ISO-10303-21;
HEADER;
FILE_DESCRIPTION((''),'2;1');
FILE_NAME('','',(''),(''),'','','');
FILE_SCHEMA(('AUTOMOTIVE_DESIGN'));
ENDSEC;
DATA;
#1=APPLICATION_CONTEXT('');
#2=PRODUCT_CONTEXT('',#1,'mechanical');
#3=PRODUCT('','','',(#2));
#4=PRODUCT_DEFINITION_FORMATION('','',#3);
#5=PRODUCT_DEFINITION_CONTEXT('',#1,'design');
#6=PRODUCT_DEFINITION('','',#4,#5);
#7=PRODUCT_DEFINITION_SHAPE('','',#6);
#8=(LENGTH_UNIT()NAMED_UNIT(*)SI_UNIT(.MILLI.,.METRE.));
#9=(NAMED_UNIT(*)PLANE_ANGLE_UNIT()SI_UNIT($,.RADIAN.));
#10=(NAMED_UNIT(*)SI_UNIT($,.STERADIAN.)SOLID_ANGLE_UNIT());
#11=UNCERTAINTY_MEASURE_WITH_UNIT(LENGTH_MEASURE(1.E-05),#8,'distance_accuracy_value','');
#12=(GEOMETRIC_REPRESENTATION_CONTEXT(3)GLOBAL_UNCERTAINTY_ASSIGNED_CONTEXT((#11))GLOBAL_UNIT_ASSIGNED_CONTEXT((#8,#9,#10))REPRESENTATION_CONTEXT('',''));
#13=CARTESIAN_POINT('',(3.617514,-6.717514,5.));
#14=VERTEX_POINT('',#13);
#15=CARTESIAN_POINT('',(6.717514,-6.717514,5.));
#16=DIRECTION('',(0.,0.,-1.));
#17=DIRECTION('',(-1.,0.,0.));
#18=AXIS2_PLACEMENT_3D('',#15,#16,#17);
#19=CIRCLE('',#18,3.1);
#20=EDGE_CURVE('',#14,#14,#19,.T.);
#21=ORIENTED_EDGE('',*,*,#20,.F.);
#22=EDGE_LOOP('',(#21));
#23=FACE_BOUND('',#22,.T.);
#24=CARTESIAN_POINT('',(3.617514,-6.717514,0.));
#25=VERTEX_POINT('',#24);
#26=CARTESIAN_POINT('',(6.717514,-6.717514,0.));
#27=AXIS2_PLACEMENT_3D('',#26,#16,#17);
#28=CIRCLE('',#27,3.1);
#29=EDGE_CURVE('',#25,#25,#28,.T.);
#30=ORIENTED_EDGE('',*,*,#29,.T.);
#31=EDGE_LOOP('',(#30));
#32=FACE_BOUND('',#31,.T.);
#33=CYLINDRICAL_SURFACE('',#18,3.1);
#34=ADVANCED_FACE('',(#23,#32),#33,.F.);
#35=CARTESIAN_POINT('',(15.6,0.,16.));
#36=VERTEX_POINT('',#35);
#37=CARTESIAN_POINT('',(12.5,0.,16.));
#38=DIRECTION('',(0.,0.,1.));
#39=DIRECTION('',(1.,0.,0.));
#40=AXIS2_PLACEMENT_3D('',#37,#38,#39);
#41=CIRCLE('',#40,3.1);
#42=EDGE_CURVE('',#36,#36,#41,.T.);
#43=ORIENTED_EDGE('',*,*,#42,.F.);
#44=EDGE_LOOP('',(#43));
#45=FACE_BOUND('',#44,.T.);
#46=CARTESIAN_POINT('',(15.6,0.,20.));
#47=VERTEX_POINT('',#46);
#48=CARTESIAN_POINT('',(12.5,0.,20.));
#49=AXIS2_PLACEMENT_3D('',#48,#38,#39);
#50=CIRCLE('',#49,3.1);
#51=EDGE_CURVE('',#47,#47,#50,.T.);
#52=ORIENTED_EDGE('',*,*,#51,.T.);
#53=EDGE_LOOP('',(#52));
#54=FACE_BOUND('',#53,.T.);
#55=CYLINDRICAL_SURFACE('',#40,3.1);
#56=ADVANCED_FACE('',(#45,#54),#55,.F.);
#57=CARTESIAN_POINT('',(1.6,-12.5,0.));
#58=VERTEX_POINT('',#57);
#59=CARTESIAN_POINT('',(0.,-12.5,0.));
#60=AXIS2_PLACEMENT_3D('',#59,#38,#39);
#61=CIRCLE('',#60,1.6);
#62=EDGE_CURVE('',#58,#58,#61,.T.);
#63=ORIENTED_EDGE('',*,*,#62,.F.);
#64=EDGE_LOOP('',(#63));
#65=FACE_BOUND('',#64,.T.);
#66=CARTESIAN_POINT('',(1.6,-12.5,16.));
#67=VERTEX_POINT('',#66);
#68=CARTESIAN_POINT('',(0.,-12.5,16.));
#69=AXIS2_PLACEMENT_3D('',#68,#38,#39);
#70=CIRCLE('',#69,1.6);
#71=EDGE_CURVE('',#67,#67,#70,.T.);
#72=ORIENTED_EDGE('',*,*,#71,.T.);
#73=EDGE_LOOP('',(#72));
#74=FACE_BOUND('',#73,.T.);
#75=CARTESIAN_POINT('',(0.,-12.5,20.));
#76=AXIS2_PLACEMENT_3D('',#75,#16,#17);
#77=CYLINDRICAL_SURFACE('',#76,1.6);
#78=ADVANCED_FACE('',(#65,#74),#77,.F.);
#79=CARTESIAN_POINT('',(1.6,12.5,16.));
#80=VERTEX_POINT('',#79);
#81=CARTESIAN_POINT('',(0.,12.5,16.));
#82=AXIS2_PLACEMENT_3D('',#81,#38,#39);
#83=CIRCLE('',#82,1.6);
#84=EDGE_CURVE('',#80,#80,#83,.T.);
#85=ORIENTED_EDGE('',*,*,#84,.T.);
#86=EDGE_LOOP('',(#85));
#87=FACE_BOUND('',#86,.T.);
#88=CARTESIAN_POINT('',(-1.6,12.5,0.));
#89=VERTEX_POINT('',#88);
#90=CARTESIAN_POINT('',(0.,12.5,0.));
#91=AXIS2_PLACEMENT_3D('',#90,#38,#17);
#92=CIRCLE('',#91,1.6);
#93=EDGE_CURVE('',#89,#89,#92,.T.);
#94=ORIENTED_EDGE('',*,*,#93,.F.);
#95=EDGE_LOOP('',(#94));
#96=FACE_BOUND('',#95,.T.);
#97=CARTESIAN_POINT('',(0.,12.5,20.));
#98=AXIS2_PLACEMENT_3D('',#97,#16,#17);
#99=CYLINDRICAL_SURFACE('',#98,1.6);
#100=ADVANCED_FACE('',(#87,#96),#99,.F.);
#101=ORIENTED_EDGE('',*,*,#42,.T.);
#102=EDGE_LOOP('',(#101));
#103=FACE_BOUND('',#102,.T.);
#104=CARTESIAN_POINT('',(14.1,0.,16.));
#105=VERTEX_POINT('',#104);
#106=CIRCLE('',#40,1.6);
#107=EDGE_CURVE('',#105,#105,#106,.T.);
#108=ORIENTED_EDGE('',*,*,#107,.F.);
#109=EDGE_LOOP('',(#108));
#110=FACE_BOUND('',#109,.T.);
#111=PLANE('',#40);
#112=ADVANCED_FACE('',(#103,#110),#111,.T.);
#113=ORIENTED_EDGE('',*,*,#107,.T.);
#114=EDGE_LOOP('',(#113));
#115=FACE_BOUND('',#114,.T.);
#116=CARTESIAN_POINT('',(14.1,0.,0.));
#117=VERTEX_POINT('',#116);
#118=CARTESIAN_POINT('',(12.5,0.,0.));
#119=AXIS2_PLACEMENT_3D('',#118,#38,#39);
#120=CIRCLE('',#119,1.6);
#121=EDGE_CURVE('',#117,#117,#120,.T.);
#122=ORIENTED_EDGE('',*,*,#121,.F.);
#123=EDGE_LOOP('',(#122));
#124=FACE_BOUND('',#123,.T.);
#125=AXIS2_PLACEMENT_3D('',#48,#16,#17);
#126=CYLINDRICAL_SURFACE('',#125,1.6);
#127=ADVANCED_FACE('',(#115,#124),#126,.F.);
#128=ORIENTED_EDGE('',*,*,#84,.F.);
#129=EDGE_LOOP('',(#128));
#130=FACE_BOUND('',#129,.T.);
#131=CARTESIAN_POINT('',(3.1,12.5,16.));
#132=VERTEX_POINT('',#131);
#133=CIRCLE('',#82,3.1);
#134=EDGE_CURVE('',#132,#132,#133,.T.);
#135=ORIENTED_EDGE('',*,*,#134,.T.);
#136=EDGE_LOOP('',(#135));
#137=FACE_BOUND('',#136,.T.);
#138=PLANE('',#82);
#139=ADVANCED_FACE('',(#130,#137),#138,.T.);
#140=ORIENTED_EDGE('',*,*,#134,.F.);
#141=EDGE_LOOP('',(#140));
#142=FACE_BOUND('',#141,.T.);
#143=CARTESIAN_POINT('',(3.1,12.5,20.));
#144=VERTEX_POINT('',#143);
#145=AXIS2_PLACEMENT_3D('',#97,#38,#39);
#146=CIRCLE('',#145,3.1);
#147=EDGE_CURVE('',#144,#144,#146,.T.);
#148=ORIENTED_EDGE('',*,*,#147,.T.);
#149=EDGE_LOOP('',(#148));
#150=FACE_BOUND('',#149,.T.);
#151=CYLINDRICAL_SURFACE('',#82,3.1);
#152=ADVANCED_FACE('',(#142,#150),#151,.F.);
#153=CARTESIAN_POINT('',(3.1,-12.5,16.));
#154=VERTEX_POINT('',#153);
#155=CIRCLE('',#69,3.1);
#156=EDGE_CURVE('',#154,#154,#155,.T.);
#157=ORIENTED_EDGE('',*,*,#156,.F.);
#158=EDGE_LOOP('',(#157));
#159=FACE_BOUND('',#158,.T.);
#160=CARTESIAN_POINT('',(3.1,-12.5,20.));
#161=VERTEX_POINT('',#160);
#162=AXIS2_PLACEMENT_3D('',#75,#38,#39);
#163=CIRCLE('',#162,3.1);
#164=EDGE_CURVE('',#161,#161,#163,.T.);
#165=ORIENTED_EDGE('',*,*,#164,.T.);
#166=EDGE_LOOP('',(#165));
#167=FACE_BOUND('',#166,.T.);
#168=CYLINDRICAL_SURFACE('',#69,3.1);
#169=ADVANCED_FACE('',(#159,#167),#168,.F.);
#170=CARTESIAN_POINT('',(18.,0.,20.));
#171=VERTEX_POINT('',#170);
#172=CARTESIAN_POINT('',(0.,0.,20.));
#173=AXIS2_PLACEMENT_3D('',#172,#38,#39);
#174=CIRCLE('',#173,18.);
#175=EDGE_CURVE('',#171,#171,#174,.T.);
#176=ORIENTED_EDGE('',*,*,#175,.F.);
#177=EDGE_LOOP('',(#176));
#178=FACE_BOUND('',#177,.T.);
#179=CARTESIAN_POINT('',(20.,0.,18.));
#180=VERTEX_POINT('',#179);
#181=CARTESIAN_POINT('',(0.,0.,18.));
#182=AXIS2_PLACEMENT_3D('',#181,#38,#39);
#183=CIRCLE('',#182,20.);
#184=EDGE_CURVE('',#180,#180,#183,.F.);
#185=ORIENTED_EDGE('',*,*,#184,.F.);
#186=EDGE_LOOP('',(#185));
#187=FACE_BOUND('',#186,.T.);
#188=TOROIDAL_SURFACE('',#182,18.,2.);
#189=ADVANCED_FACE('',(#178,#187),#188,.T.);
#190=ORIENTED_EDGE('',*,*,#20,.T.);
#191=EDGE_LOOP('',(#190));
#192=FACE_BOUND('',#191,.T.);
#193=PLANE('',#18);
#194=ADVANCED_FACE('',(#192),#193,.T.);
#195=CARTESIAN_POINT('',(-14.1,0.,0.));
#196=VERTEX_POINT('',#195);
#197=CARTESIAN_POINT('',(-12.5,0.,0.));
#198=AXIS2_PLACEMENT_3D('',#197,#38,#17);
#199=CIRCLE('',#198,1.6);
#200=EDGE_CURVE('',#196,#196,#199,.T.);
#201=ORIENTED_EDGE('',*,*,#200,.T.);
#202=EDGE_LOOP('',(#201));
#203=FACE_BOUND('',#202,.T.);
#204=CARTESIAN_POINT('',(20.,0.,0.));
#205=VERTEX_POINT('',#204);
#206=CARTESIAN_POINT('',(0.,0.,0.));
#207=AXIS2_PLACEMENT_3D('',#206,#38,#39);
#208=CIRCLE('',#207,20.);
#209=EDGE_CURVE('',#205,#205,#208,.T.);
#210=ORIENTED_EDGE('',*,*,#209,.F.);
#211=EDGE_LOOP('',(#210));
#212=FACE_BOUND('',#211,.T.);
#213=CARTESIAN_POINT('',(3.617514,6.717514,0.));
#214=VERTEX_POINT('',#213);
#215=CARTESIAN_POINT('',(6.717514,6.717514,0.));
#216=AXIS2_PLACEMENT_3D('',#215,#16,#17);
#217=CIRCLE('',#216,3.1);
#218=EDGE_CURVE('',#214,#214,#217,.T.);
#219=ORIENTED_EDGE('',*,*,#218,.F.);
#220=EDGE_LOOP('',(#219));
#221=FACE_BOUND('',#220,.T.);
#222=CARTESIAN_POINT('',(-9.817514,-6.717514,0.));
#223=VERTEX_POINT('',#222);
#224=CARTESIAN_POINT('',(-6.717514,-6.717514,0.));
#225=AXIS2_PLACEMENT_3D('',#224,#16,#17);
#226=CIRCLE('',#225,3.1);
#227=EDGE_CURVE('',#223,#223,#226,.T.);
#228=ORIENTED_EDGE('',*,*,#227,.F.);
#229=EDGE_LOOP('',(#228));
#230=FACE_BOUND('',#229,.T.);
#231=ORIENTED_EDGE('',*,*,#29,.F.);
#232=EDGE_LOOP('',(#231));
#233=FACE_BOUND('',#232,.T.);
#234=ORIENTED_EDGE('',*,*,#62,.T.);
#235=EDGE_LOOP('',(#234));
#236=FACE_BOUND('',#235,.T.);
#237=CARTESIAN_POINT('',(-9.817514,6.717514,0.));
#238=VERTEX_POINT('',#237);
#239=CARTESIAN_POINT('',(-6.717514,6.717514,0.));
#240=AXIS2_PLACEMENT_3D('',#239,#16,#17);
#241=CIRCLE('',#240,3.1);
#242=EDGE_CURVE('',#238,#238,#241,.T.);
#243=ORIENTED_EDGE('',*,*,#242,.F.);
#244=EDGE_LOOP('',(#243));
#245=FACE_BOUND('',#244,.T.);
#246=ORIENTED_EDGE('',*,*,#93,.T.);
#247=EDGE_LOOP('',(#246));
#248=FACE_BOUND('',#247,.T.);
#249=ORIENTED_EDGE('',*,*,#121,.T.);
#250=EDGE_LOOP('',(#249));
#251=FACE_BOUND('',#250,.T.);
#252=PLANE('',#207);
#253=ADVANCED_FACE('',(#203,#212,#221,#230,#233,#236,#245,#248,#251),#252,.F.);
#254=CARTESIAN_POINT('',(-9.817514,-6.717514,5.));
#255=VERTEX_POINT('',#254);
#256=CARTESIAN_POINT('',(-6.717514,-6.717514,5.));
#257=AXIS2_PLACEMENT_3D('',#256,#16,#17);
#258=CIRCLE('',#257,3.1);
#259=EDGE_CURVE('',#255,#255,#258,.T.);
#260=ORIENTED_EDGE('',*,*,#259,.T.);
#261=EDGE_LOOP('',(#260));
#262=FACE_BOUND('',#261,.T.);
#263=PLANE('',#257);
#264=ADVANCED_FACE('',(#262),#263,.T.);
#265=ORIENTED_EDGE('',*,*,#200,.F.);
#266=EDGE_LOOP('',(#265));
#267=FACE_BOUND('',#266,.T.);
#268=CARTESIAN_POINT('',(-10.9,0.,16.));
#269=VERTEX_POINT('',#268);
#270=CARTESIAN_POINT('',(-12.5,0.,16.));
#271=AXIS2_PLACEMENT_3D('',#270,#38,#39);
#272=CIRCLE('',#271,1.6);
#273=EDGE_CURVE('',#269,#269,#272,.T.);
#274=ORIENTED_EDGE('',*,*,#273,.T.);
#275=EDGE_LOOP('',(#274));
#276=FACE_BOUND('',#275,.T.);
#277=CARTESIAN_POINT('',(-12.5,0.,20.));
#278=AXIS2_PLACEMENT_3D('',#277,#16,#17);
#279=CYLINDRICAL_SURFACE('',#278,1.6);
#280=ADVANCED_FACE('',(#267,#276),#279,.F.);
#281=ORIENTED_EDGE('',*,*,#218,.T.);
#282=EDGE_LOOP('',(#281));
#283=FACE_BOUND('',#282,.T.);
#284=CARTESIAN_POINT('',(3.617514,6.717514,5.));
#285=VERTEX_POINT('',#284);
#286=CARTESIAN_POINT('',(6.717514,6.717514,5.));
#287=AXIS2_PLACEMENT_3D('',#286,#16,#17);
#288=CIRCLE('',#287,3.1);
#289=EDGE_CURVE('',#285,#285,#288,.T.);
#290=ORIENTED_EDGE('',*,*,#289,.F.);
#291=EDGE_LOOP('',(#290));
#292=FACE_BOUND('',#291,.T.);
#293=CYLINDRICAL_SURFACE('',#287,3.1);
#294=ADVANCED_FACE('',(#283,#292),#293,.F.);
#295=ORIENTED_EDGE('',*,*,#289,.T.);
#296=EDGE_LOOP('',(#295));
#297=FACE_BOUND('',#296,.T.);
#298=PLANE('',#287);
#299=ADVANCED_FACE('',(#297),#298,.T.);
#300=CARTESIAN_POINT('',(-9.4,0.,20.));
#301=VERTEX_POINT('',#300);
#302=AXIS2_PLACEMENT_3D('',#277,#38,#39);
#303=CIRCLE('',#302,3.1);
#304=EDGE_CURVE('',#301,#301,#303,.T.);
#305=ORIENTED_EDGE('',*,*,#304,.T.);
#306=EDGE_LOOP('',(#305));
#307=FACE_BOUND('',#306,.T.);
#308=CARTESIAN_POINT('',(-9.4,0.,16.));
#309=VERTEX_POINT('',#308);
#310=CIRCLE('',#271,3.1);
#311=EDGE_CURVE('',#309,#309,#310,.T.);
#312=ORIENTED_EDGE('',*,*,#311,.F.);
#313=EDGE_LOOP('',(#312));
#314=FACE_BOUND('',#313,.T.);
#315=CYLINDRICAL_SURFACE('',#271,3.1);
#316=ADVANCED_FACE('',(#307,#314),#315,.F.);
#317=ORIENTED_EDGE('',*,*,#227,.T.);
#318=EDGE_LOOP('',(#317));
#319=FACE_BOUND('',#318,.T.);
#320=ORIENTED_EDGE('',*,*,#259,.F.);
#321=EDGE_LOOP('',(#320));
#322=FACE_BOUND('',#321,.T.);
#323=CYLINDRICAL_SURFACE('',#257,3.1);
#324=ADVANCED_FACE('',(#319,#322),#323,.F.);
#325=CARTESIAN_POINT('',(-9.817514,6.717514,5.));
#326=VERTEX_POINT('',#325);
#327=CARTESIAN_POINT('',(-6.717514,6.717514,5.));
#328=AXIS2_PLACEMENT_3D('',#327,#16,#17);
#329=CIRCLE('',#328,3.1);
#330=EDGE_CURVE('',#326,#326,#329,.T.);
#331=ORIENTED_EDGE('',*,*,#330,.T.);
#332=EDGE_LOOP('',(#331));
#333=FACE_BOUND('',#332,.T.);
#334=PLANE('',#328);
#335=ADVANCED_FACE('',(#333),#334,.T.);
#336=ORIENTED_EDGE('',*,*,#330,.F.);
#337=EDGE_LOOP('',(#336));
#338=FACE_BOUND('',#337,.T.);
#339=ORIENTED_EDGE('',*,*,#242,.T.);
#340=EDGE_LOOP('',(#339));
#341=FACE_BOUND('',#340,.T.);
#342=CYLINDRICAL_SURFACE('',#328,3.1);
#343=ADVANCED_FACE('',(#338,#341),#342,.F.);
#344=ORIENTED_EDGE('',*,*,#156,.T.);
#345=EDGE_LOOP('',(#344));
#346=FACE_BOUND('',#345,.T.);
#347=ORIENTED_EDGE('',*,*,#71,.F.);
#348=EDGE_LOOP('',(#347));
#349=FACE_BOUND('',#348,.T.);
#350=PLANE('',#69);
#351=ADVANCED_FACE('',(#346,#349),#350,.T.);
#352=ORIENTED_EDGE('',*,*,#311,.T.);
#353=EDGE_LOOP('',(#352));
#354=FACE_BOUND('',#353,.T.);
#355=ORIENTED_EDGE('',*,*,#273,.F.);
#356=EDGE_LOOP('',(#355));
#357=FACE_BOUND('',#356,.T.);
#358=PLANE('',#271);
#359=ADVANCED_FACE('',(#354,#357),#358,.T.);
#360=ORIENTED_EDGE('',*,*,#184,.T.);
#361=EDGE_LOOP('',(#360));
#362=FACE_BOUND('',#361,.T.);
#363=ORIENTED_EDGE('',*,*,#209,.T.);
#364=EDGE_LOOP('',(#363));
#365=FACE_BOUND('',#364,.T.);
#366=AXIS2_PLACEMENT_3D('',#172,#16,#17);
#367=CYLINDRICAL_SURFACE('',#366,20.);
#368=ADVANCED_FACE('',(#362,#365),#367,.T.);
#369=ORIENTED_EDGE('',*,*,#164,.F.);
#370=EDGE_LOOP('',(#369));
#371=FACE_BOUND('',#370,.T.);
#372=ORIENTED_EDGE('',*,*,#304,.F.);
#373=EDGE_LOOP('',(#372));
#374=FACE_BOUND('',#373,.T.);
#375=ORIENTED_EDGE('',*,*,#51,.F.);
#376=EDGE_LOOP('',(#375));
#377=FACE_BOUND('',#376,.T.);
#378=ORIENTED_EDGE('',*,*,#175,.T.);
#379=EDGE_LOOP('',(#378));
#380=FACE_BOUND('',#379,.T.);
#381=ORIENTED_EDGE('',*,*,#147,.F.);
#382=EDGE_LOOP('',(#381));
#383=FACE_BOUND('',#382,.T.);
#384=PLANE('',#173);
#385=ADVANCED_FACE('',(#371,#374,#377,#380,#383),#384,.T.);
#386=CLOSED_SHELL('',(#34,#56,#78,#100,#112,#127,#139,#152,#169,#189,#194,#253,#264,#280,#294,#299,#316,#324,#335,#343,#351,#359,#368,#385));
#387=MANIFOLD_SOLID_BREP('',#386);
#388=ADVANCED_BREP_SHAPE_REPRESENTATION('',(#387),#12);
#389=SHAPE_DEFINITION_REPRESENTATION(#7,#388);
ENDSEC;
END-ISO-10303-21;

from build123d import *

# Parameters (mm, degrees)
SKETCH_1_R          = 20
SKETCH_1_R_2        = 1.6
EXTRUDE_1_DEPTH     = 20
SKETCH_2_R          = 3.1
CUT_EXTRUDE_1_DEPTH = 4
SKETCH_3_R          = 3.1
CUT_EXTRUDE_2_DEPTH = 5
FILLET_1_R          = 2


with BuildPart() as part:
    # 草图1 → 凸台-拉伸1 (new body)
    with BuildSketch(Plane.XY):
        Circle(SKETCH_1_R)
        with Locations((12.5, 0)):
            Circle(SKETCH_1_R_2, mode=Mode.SUBTRACT)
        with Locations((0, -12.5)):
            Circle(SKETCH_1_R_2, mode=Mode.SUBTRACT)
        with Locations(Location((-12.5, 0, 0), (0, 0, 180))):
            Circle(SKETCH_1_R_2, mode=Mode.SUBTRACT)
        with Locations(Location((0, 12.5, 0), (0, 0, 180))):
            Circle(SKETCH_1_R_2, mode=Mode.SUBTRACT)
    extrude(amount=EXTRUDE_1_DEPTH)

    # 草图2 → 切除-拉伸1 (cut)
    with BuildSketch(Plane.XY.offset(20)):
        with Locations((-12.5, 0)):
            Circle(SKETCH_2_R)
        with Locations((0, -12.5)):
            Circle(SKETCH_2_R)
        with Locations((12.5, 0)):
            Circle(SKETCH_2_R)
        with Locations((0, 12.5)):
            Circle(SKETCH_2_R)
    extrude(amount=-CUT_EXTRUDE_1_DEPTH, mode=Mode.SUBTRACT)

    # 草图3 → 切除-拉伸2 (cut)
    with BuildSketch(Plane(origin=(0, 0, 0), x_dir=(-1, 0, 0), z_dir=(0, 0, -1))):
        with Locations((-6.717514421, 6.717514421)):
            Circle(SKETCH_3_R)
        with Locations((6.717514421, 6.717514421)):
            Circle(SKETCH_3_R)
        with Locations((6.717514421, -6.717514421)):
            Circle(SKETCH_3_R)
        with Locations((-6.717514421, -6.717514421)):
            Circle(SKETCH_3_R)
    extrude(amount=-CUT_EXTRUDE_2_DEPTH, mode=Mode.SUBTRACT)

    # 圆角1
    fillet_1_edges = [part.edges().sort_by_distance(p)[0] for p in [
        (-20, 0, 20),
    ]]
    fillet(fillet_1_edges, radius=FILLET_1_R)


solid = part.part
